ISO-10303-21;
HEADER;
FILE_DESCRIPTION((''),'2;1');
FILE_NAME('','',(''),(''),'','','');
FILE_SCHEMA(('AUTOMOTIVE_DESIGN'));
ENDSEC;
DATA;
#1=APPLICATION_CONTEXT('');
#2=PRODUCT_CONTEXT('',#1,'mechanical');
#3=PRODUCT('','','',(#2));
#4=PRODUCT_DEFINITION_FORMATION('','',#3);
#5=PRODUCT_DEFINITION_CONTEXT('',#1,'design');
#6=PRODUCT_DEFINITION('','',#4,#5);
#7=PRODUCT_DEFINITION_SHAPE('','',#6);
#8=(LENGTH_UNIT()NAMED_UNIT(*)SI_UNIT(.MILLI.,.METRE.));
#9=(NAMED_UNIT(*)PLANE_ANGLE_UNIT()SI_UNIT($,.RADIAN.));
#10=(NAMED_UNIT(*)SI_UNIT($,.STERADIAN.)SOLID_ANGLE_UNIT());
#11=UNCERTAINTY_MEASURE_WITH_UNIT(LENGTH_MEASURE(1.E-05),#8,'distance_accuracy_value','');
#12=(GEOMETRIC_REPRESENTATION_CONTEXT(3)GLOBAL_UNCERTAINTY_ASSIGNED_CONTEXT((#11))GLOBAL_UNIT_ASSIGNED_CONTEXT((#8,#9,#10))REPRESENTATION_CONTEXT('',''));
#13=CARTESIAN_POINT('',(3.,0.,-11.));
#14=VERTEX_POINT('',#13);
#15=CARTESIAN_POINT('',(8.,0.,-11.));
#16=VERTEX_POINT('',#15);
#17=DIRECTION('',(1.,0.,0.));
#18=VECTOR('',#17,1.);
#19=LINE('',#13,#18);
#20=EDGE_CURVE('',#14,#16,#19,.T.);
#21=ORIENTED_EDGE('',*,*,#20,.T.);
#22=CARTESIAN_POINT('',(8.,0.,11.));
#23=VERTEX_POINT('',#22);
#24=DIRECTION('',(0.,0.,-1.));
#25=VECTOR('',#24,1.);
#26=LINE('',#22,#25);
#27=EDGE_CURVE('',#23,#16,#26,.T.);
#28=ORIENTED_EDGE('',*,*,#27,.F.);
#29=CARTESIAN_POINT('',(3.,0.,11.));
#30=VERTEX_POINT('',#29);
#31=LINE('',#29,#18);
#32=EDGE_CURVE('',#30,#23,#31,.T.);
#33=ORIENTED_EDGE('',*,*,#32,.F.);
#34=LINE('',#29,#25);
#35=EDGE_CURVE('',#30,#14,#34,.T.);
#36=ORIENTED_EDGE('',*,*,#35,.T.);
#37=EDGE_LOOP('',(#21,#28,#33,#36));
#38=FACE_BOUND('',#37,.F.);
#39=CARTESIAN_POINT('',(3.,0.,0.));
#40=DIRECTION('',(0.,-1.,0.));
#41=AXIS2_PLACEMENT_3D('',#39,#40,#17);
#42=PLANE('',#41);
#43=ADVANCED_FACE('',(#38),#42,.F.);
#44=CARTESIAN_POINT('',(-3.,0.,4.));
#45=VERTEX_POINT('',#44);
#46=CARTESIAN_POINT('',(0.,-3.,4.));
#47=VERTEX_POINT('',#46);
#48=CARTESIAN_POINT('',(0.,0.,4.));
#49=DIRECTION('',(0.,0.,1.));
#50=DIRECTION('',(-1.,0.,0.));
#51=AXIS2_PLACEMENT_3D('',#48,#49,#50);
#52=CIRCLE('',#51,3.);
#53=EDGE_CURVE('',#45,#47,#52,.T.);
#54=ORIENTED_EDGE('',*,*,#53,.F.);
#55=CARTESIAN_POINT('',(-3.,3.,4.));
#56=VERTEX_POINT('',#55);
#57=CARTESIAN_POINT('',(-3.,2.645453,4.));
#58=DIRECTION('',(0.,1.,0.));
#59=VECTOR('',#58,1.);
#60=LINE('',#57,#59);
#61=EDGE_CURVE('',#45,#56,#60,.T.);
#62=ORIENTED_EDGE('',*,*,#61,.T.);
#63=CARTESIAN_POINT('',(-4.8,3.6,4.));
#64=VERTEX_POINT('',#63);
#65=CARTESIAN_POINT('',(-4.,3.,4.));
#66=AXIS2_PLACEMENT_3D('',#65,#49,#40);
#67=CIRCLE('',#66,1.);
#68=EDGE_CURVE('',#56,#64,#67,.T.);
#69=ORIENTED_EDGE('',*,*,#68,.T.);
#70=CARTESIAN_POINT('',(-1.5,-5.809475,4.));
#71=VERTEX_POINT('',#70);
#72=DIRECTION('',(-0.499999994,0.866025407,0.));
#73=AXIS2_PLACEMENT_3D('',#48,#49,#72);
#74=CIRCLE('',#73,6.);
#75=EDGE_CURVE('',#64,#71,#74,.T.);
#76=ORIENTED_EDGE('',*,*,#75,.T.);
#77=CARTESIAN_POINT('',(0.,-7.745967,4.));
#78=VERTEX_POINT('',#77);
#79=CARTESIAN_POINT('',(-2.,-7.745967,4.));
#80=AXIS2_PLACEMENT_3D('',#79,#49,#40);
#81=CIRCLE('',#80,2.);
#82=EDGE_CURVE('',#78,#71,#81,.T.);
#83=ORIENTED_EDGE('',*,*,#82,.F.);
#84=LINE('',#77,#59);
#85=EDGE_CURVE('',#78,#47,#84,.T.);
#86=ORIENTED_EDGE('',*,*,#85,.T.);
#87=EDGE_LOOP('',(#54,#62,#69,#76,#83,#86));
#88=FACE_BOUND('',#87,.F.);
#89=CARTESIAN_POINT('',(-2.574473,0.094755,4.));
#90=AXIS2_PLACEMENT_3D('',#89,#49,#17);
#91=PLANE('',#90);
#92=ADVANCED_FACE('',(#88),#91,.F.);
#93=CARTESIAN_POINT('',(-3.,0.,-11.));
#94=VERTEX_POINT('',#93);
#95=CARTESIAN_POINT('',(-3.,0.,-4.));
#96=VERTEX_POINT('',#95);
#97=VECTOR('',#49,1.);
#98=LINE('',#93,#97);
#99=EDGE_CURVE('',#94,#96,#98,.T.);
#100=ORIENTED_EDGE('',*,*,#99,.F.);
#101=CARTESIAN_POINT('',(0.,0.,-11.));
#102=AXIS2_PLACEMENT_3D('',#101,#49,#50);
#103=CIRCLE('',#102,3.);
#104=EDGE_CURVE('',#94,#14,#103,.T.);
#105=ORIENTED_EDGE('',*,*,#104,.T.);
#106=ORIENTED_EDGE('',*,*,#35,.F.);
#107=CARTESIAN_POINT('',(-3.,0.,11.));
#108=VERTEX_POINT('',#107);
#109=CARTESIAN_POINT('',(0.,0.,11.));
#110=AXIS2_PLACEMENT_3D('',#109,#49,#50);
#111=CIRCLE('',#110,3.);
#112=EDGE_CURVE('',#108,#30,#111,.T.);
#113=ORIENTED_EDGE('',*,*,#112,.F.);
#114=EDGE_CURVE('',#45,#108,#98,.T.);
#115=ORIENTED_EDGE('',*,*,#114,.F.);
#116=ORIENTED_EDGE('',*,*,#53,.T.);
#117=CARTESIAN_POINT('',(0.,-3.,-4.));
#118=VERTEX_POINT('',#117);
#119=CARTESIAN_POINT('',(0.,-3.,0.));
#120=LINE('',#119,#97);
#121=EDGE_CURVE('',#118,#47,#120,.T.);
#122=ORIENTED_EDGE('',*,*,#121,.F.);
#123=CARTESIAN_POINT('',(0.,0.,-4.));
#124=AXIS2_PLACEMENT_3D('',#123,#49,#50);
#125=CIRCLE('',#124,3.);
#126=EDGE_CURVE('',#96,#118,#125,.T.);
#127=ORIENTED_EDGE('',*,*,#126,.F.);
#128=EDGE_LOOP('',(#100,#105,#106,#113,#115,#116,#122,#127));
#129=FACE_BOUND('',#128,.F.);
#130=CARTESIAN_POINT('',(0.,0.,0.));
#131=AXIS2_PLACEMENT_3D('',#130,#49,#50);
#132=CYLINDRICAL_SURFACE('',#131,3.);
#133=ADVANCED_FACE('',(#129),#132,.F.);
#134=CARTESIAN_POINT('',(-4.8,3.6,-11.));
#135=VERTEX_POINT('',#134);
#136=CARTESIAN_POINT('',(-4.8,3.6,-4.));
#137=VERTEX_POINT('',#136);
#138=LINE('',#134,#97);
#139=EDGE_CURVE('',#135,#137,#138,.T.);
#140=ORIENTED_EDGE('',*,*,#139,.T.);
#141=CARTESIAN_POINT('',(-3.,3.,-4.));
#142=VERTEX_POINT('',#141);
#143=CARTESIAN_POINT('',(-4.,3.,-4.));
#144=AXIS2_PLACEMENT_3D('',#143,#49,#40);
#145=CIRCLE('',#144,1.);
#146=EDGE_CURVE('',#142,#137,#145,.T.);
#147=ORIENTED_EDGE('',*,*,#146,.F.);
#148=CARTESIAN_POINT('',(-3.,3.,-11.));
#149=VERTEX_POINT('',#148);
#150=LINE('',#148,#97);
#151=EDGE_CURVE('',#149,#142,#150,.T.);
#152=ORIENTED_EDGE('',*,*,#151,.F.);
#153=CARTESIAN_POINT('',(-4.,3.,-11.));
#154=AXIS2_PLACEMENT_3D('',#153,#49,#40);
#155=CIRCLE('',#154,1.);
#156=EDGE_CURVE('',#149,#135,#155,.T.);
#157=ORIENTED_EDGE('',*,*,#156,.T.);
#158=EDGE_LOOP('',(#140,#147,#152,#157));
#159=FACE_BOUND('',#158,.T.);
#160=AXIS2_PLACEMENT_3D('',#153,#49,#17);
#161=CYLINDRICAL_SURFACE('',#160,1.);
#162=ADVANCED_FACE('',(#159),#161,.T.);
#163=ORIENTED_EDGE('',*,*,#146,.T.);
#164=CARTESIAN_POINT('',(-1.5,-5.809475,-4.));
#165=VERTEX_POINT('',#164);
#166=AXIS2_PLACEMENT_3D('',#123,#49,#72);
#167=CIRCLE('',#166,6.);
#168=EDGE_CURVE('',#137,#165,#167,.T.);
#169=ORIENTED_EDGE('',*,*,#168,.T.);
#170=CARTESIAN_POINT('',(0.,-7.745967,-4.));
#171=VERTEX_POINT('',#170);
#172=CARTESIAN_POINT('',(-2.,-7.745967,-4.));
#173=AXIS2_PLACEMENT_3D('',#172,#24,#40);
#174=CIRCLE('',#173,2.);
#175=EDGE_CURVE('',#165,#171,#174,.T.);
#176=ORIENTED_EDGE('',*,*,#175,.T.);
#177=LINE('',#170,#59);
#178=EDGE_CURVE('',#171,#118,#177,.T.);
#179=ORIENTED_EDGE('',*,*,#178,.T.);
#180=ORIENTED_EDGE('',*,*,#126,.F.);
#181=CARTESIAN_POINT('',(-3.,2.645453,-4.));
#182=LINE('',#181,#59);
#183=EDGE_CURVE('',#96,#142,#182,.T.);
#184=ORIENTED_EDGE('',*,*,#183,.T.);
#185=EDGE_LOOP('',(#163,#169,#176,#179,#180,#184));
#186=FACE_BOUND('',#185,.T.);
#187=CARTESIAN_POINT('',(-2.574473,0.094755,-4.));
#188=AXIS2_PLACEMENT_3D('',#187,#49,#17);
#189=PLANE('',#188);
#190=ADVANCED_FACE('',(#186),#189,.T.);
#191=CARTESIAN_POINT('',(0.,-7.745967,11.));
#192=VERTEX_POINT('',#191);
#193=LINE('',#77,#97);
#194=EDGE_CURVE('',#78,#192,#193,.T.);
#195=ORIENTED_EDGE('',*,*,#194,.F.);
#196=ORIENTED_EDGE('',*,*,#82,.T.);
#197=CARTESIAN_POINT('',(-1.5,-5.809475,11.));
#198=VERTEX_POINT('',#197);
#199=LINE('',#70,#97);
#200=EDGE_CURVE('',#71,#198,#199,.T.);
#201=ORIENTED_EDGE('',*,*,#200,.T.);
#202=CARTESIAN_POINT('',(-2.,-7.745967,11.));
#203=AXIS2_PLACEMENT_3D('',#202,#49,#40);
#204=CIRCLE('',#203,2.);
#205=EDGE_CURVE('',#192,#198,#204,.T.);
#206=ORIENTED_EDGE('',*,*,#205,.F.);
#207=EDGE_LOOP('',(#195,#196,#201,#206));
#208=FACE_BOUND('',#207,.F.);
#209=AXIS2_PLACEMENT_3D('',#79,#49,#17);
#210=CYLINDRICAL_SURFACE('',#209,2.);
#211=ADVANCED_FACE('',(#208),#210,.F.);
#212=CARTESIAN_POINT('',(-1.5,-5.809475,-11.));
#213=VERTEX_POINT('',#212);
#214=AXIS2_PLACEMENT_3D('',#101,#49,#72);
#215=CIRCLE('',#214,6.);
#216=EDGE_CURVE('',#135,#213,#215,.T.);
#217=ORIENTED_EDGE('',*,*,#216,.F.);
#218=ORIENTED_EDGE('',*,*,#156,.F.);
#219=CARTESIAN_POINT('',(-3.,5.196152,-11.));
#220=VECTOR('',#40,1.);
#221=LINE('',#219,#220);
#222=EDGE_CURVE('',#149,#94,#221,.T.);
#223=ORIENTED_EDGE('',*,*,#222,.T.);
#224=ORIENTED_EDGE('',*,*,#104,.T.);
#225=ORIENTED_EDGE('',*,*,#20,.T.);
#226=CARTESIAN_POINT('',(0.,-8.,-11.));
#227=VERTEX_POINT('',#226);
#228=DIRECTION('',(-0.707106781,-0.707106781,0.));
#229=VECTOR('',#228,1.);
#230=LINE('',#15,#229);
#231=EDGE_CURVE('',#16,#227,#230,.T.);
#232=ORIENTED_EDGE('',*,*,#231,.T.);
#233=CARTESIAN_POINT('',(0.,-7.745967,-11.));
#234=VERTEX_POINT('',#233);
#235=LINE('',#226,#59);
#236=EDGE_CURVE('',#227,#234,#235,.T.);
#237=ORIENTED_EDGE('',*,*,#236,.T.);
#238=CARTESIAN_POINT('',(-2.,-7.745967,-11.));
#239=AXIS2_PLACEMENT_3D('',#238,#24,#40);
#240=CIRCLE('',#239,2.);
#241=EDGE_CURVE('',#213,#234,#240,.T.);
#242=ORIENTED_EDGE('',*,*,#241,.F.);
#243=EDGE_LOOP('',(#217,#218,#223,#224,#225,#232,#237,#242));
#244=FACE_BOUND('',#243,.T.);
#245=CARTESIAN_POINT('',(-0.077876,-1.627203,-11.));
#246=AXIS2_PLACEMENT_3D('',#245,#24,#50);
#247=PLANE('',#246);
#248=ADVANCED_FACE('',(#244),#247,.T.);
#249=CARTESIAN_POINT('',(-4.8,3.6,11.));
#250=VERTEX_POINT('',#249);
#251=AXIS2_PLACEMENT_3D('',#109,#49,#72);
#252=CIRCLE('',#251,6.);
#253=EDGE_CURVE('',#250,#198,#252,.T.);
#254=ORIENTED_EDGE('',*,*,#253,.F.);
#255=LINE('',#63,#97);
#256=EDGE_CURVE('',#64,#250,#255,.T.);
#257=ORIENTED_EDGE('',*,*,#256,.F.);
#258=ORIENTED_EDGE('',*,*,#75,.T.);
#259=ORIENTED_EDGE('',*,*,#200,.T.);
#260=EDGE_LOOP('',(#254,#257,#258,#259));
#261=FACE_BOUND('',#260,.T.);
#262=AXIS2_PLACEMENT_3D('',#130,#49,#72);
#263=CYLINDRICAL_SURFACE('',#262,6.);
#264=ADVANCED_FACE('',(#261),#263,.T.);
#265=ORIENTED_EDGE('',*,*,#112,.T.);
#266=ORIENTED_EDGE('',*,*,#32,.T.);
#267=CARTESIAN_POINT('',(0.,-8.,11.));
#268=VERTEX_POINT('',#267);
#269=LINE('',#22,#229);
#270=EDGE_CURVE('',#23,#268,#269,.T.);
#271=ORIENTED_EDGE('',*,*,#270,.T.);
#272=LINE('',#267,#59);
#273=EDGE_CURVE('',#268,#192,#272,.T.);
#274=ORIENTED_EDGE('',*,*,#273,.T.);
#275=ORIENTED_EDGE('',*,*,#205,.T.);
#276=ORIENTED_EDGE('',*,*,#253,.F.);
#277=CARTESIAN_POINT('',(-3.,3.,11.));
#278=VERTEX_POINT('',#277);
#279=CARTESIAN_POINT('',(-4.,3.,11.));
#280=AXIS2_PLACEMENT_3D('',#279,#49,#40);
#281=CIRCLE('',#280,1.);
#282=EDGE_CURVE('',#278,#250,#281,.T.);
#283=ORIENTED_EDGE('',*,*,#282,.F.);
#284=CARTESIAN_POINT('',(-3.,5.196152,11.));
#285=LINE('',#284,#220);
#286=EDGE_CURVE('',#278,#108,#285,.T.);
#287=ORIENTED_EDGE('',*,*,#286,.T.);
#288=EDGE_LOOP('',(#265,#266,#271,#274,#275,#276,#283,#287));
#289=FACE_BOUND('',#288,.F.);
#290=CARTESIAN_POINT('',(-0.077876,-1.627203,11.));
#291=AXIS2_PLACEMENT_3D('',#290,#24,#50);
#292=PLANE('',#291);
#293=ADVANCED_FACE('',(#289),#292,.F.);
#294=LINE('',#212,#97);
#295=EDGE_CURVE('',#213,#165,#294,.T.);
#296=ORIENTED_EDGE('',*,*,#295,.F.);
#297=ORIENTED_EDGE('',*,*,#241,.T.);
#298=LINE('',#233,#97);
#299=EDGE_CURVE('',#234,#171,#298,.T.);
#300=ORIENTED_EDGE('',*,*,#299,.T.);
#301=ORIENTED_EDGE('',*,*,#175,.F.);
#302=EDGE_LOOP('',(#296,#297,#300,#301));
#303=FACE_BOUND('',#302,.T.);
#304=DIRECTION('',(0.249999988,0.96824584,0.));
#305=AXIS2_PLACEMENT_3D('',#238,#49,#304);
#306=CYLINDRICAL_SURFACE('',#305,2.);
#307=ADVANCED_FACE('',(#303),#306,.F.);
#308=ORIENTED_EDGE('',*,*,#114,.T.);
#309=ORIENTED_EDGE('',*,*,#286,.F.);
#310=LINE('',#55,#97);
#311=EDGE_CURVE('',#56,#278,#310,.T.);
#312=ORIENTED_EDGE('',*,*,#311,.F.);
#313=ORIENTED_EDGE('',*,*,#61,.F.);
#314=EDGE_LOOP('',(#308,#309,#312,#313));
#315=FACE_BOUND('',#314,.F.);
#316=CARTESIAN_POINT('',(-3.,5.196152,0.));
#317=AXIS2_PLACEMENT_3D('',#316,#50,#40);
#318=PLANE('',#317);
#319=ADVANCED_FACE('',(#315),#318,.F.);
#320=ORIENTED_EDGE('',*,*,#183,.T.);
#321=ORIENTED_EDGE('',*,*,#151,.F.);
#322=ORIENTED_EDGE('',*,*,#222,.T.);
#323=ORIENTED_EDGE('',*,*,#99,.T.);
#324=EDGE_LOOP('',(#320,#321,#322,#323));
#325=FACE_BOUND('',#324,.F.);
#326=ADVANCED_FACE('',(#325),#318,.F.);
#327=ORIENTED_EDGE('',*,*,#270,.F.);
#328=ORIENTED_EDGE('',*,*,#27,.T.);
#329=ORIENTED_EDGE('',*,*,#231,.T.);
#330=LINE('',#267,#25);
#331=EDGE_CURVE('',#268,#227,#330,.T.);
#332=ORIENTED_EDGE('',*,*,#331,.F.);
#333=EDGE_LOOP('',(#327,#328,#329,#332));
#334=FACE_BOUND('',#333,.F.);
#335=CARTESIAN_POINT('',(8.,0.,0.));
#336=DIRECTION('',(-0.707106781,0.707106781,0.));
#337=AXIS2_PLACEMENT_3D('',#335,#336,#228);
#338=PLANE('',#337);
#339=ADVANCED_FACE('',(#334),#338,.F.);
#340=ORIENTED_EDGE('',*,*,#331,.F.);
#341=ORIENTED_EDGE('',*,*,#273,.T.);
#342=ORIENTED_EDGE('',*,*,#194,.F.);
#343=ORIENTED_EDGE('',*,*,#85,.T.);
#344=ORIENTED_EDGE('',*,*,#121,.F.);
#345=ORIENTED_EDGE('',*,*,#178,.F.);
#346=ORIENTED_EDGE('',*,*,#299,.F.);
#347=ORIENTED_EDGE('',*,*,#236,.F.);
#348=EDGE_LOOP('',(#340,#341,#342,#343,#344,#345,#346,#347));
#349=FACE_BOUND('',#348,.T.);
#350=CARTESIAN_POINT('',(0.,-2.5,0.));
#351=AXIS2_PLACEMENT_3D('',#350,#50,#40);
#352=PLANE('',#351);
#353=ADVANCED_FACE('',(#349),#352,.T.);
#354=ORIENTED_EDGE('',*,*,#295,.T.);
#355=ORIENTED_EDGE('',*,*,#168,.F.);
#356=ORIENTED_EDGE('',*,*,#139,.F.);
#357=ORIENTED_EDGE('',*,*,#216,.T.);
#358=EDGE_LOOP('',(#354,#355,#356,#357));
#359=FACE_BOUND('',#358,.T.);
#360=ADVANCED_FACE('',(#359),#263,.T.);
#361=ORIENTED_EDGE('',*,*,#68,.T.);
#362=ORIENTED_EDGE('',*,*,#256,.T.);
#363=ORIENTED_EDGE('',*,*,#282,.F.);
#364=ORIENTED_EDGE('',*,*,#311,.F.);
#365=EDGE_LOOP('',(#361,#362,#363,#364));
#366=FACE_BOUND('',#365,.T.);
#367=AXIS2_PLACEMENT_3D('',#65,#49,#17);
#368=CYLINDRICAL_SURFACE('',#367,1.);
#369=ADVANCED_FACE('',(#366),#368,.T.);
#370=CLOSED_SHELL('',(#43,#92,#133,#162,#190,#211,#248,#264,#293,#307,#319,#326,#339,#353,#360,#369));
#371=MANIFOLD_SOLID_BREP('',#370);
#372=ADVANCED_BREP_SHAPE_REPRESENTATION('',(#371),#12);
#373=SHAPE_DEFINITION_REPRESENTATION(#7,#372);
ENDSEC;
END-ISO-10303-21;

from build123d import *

# Parameters (mm, degrees)
PAD_DEPTH    = 11
POCKET_DEPTH = 4
FILLET_R     = 1
FILLET001_R  = 2


with BuildPart() as part:
    # Sketch → Pad (new body, symmetric)
    with BuildSketch(Plane.XY):
        with BuildLine():
            ThreePointArc((-3, 0), (0, -3), (3, 0))
            Line((3, 0), (8, 0))
            Line((8, 0), (0, -8))
            Line((0, -8), (0, -6))
            ThreePointArc((-3, 5.196152), (-5.795555, -1.552914), (0, -6))
            Line((-3, 5.196152), (-3, 0))
        make_face()
    extrude(amount=PAD_DEPTH, both=True)

    # Sketch001 → Pocket (cut, symmetric)
    with BuildSketch(Plane.XY):
        with BuildLine():
            ThreePointArc((0.45045, 7.486461), (-7.496614, 0.225327), (0, -7.5))
            Line((0, -2.5), (0, -7.5))
            ThreePointArc((0.45045, 2.459084), (-2.48975, 0.226152), (0, -2.5))
            Line((0.45045, 2.459084), (0.45045, 7.486461))
        make_face()
    extrude(amount=POCKET_DEPTH, both=True, mode=Mode.SUBTRACT)

    # Fillet
    fillet_edges = [part.edges().sort_by_distance(p)[0] for p in [
        (-3, 5.196152, 7.5),
        (-3, 5.196152, -7.5),
    ]]
    fillet(fillet_edges, radius=FILLET_R)

    # Fillet001
    fillet001_edges = [part.edges().sort_by_distance(p)[0] for p in [
        (0, -6, -7.5),
        (0, -6, 7.5),
    ]]
    fillet(fillet001_edges, radius=FILLET001_R)


solid = part.part
